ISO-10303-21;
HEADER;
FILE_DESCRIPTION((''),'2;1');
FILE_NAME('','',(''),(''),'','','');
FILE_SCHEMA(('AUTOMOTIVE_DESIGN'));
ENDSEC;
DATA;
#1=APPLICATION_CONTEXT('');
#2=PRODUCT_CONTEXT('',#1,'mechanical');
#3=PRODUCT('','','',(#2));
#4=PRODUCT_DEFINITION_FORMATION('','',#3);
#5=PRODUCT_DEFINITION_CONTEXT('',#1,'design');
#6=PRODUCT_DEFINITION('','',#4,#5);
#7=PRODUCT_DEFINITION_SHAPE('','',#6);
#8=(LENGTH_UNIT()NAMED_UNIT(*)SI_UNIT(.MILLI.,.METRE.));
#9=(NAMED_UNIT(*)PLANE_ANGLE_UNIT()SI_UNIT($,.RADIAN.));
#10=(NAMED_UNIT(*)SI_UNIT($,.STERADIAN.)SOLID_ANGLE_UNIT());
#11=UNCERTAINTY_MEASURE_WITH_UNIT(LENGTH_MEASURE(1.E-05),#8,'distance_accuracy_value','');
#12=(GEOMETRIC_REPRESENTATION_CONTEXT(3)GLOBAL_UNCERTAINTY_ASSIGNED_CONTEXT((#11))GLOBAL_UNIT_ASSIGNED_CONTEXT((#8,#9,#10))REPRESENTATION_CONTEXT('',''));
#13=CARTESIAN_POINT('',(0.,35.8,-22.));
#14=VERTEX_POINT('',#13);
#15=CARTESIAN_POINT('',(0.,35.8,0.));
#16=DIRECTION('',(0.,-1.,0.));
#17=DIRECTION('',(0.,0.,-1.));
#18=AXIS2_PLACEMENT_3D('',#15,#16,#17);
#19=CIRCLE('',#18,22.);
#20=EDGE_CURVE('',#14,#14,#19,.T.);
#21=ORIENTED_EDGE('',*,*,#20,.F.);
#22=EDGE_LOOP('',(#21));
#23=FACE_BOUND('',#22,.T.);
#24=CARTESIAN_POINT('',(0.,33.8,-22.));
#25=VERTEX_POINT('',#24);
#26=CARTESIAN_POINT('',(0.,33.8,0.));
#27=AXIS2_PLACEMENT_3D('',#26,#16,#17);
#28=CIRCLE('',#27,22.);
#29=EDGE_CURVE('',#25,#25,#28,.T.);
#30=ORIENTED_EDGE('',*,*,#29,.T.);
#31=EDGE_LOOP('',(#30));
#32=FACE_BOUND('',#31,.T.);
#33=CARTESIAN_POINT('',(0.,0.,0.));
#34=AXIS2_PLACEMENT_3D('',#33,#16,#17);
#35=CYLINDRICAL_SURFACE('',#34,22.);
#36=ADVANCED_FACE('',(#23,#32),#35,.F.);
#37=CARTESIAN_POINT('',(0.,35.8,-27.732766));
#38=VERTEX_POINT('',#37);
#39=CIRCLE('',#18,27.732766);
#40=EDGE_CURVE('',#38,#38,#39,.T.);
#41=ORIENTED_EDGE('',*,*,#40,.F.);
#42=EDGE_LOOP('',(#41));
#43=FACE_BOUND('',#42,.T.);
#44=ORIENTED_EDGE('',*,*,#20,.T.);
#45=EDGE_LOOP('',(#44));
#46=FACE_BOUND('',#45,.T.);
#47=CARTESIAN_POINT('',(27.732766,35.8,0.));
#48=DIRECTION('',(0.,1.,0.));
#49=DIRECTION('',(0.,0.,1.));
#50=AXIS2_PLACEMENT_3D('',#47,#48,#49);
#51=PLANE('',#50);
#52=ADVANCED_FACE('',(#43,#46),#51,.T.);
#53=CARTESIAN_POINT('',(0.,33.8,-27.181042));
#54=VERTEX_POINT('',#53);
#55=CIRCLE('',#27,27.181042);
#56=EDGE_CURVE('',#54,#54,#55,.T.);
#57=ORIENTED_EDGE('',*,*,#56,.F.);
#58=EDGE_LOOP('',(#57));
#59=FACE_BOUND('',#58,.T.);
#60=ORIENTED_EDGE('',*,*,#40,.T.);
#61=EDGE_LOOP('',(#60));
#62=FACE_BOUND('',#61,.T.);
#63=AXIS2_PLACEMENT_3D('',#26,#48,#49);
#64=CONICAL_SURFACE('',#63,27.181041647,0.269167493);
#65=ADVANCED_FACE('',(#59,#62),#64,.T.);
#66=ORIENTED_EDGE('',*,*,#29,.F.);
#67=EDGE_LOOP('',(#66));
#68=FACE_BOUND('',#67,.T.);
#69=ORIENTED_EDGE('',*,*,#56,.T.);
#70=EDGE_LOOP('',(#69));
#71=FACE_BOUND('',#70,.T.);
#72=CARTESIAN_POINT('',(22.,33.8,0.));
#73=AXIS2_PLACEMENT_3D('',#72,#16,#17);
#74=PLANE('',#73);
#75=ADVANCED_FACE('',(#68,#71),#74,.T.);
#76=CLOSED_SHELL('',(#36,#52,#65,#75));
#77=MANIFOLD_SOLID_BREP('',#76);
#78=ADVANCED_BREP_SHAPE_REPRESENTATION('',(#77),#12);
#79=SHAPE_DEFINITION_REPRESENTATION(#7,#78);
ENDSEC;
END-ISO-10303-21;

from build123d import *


with BuildPart() as part:
    # Sketch1 → Taper clamp ring (revolve)
    with BuildSketch(Plane.XY, mode=Mode.PRIVATE) as taper_clamp_ring_sk:
        Polygon((22, 33.8), (27.181041647, 33.8), (27.732765785, 35.8), (22, 35.8), align=None)
    revolve(taper_clamp_ring_sk.sketch.rotate(Axis((0, 0, 0), (0, 1, 0)), 90), axis=Axis((0, 0, 0), (0, 1, 0)))


solid = part.part
